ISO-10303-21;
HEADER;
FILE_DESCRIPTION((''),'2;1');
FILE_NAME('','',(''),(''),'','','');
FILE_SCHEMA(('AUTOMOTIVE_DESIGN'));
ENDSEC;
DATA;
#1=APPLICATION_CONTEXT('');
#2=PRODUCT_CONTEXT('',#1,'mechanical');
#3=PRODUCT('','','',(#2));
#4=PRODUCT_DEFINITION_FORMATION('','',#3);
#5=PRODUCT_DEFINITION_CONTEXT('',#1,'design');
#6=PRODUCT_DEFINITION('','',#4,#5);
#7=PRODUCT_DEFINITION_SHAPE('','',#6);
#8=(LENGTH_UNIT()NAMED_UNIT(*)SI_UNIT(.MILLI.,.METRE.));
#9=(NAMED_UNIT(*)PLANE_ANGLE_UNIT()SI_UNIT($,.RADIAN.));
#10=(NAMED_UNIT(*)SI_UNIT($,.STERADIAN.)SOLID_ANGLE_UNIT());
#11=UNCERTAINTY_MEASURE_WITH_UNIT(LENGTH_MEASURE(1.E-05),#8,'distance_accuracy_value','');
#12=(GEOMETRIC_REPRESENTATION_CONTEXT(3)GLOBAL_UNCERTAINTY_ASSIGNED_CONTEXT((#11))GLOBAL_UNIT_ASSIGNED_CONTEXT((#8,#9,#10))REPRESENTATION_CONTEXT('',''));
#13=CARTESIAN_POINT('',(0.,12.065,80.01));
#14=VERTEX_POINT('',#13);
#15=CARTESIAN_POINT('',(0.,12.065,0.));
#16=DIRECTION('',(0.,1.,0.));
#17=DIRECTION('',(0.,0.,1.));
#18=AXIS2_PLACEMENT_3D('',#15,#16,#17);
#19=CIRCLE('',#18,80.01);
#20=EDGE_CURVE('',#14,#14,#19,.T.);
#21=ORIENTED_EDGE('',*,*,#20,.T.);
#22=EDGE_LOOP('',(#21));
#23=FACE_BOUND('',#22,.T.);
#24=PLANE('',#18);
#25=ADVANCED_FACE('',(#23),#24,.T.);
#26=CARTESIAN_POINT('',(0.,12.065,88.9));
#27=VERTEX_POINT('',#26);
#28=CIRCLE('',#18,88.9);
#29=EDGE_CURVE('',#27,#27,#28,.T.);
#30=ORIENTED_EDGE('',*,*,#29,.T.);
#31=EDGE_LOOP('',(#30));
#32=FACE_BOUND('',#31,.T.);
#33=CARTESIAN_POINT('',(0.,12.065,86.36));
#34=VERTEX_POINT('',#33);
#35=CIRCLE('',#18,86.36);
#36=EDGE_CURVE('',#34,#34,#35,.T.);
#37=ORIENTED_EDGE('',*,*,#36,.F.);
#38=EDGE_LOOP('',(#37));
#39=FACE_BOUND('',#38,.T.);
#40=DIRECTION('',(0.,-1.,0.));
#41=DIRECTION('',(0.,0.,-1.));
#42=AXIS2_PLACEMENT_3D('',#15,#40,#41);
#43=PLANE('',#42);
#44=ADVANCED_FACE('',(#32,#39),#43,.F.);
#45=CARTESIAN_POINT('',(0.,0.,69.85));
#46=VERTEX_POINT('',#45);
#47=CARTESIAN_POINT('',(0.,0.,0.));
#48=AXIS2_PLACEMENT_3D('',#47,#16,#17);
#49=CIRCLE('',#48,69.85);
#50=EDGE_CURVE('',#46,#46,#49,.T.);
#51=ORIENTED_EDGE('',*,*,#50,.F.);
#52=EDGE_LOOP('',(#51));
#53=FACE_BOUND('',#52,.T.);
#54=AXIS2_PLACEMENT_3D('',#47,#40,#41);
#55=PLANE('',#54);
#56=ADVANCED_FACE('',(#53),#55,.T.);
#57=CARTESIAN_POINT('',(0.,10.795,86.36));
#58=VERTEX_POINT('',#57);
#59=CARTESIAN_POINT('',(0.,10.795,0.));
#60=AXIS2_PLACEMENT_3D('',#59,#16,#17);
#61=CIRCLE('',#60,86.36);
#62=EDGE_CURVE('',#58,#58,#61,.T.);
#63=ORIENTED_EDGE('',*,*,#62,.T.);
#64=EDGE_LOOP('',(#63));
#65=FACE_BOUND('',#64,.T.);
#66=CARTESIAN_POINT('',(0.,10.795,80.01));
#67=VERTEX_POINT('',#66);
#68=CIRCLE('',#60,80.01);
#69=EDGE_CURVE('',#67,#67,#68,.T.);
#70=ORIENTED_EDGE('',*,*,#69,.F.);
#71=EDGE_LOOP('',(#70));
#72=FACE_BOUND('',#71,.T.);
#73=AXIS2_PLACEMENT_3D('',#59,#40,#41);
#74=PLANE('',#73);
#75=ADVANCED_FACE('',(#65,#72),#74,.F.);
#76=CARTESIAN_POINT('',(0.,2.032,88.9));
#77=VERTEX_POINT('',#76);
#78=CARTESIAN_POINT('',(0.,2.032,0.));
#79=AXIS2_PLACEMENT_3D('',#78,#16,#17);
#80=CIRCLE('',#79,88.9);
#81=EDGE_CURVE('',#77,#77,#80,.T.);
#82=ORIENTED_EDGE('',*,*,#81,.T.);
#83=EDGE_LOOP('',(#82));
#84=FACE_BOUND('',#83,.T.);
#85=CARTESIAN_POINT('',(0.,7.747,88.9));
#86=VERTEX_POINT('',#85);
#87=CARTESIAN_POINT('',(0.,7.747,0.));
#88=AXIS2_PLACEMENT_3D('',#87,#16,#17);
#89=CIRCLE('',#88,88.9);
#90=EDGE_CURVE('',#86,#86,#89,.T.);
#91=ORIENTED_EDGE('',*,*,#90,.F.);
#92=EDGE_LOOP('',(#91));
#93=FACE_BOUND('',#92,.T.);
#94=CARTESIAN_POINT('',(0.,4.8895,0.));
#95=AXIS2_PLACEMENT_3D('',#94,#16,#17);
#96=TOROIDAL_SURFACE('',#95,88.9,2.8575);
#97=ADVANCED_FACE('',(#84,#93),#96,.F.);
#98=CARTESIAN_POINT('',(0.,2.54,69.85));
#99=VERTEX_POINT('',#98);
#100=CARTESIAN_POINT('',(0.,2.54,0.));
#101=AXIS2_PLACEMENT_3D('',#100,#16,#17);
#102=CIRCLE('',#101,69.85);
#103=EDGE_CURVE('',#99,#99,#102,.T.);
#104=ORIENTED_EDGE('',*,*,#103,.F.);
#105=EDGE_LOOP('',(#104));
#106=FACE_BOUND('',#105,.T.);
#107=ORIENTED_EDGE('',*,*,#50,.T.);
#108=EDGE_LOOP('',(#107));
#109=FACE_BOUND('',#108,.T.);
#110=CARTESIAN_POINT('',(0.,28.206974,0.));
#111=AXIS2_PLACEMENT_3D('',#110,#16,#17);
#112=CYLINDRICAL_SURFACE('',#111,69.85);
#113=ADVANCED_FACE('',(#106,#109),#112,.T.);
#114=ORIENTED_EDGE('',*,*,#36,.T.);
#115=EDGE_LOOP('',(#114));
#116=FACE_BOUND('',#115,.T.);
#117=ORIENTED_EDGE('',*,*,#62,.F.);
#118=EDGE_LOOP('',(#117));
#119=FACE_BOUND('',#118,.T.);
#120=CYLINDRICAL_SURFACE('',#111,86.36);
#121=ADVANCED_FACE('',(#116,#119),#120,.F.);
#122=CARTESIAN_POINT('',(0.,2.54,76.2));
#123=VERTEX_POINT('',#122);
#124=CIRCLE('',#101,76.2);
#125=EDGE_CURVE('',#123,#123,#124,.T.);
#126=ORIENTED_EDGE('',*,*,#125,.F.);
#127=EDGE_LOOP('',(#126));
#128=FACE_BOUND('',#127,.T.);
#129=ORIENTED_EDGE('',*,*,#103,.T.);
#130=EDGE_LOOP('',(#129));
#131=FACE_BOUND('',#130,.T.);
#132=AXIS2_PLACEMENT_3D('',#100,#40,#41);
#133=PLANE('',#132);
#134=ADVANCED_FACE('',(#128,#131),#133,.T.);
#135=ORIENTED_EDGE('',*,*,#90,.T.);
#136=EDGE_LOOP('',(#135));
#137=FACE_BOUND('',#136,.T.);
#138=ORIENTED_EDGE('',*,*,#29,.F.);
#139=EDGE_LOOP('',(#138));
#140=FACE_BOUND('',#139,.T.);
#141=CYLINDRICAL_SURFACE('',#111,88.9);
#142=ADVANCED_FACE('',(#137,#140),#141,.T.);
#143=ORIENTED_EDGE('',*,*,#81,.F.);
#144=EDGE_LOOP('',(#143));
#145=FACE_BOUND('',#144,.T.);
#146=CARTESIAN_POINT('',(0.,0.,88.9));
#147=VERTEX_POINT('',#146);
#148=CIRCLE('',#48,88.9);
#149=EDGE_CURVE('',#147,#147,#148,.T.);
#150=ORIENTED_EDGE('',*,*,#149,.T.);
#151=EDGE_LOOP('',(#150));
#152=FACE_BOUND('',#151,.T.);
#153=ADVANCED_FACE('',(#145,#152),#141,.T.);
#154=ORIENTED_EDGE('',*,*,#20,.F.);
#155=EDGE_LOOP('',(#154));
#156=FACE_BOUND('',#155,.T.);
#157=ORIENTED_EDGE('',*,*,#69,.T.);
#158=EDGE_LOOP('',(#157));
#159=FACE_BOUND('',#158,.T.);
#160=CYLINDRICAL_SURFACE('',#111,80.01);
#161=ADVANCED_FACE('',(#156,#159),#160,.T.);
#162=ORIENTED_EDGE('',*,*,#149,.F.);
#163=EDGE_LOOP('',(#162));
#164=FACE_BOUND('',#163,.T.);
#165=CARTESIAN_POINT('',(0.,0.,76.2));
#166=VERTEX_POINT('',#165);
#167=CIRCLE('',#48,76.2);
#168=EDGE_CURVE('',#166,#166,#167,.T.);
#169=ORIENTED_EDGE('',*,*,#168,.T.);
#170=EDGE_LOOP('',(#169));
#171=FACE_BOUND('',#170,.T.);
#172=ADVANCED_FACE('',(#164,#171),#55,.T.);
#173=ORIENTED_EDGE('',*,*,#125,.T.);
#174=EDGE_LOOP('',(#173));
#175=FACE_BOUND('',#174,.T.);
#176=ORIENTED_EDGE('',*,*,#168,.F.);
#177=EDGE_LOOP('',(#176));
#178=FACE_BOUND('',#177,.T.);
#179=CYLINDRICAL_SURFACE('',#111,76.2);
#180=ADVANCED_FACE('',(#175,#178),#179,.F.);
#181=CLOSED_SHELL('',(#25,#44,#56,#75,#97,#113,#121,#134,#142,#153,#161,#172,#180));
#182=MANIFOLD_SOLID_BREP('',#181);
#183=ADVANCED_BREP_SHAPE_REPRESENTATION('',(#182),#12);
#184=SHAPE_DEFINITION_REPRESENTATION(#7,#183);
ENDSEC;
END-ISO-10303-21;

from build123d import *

# Parameters (mm, degrees)
SKETCH2_R           = 6.35
CUT_EXTRUDE1_DEPTH  = 127.301164781
SKETCH3_R           = 25.4
SKETCH3_R_2         = 12.7
CUT_EXTRUDE3_DEPTH  = 127.301164781
SKETCH4_R           = 5.715
CUT_EXTRUDE4_DEPTH  = 127.301164781
SKETCH5_R           = 6.35
SKETCH5_R_2         = 5.715
SKETCH5_R_3         = 12.7
SKETCH5_R_4         = 25.4
BOSS_EXTRUDE1_DEPTH = 12.065


with BuildPart() as part:
    # Sketch1 → Revolve2 (revolve)
    with BuildSketch(Plane.XY, mode=Mode.PRIVATE) as revolve2_sk:
        with BuildLine():
            ThreePointArc((88.9, 7.747), (86.0425, 4.8895), (88.9, 2.032))
            Line((88.9, 2.032), (88.9, 0))
            Line((88.9, 0), (76.2, 0))
            Line((76.2, 0), (76.2, 2.54))
            Line((76.2, 2.54), (69.85, 2.54))
            Line((69.85, 2.54), (69.85, 0))
            Line((69.85, 0), (0, 0))
            Line((0, 0), (0, 12.065))
            Line((0, 12.065), (80.01, 12.065))
            Line((80.01, 12.065), (80.01, 10.795))
            Line((80.01, 10.795), (86.36, 10.795))
            Line((86.36, 10.795), (86.36, 12.065))
            Line((86.36, 12.065), (88.9, 12.065))
            Line((88.9, 12.065), (88.9, 7.747))
        make_face()
    revolve(revolve2_sk.sketch.rotate(Axis((0, 28.20697446, 0), (0, -1, 0)), 90), axis=Axis((0, 28.20697446, 0), (0, -1, 0)))

    # Sketch2 → Cut-Extrude1 (cut, through all)
    with BuildSketch(Plane(origin=(0, 12.065, 0), x_dir=(1, 0, 0), z_dir=(0, 1, 0))):
        with Locations(Location((-25.4, -47.752, 0), (0, 0, 270))):
            Circle(SKETCH2_R)
        with Locations(Location((25.4, -47.752, 0), (0, 0, 270))):
            Circle(SKETCH2_R)
    extrude(amount=-CUT_EXTRUDE1_DEPTH, mode=Mode.SUBTRACT)

    # Sketch3 → Cut-Extrude3 (cut, through all)
    with BuildSketch(Plane(origin=(0, 12.065, 0), x_dir=(1, 0, 0), z_dir=(0, 1, 0))):
        with Locations(Location((0, 38.1, 0), (0, 0, 270))):
            Circle(SKETCH3_R)
        with Locations(Location((25.4, 0, 0), (0, 0, 270))):
            Circle(SKETCH3_R_2)
        with Locations(Location((-25.4, 0, 0), (0, 0, 270))):
            Circle(SKETCH3_R_2)
    extrude(amount=-CUT_EXTRUDE3_DEPTH, mode=Mode.SUBTRACT)

    # Sketch4 → Cut-Extrude4 (cut, through all)
    with BuildSketch(Plane(origin=(0, 12.065, 0), x_dir=(1, 0, 0), z_dir=(0, 1, 0))):
        with Locations(Location((50.8, -25.4, 0), (0, 0, 270))):
            Circle(SKETCH4_R)
        with Locations(Location((50.8, 25.4, 0), (0, 0, 270))):
            Circle(SKETCH4_R)
        with Locations(Location((-50.8, -25.4, 0), (0, 0, 270))):
            Circle(SKETCH4_R)
        with Locations(Location((-50.8, 25.4, 0), (0, 0, 270))):
            Circle(SKETCH4_R)
    extrude(amount=-CUT_EXTRUDE4_DEPTH, mode=Mode.SUBTRACT)

    # Sketch5 → Boss-Extrude1 (add, through all)
    with BuildSketch(Plane(origin=(0, 12.065, 0), x_dir=(1, 0, 0), z_dir=(0, 1, 0))):
        with Locations((-25.4, -47.752)):
            Circle(SKETCH5_R)
        with Locations((-50.8, -25.4)):
            Circle(SKETCH5_R_2)
        with Locations((-25.4, 0)):
            Circle(SKETCH5_R_3)
        with Locations((0, 38.1)):
            Circle(SKETCH5_R_4)
        with Locations((-50.8, 25.4)):
            Circle(SKETCH5_R_2)
        with Locations((50.8, 25.4)):
            Circle(SKETCH5_R_2)
        with Locations((25.4, 0)):
            Circle(SKETCH5_R_3)
        with Locations((25.4, -47.752)):
            Circle(SKETCH5_R)
        with Locations((50.8, -25.4)):
            Circle(SKETCH5_R_2)
    extrude(amount=-BOSS_EXTRUDE1_DEPTH)


solid = part.part
